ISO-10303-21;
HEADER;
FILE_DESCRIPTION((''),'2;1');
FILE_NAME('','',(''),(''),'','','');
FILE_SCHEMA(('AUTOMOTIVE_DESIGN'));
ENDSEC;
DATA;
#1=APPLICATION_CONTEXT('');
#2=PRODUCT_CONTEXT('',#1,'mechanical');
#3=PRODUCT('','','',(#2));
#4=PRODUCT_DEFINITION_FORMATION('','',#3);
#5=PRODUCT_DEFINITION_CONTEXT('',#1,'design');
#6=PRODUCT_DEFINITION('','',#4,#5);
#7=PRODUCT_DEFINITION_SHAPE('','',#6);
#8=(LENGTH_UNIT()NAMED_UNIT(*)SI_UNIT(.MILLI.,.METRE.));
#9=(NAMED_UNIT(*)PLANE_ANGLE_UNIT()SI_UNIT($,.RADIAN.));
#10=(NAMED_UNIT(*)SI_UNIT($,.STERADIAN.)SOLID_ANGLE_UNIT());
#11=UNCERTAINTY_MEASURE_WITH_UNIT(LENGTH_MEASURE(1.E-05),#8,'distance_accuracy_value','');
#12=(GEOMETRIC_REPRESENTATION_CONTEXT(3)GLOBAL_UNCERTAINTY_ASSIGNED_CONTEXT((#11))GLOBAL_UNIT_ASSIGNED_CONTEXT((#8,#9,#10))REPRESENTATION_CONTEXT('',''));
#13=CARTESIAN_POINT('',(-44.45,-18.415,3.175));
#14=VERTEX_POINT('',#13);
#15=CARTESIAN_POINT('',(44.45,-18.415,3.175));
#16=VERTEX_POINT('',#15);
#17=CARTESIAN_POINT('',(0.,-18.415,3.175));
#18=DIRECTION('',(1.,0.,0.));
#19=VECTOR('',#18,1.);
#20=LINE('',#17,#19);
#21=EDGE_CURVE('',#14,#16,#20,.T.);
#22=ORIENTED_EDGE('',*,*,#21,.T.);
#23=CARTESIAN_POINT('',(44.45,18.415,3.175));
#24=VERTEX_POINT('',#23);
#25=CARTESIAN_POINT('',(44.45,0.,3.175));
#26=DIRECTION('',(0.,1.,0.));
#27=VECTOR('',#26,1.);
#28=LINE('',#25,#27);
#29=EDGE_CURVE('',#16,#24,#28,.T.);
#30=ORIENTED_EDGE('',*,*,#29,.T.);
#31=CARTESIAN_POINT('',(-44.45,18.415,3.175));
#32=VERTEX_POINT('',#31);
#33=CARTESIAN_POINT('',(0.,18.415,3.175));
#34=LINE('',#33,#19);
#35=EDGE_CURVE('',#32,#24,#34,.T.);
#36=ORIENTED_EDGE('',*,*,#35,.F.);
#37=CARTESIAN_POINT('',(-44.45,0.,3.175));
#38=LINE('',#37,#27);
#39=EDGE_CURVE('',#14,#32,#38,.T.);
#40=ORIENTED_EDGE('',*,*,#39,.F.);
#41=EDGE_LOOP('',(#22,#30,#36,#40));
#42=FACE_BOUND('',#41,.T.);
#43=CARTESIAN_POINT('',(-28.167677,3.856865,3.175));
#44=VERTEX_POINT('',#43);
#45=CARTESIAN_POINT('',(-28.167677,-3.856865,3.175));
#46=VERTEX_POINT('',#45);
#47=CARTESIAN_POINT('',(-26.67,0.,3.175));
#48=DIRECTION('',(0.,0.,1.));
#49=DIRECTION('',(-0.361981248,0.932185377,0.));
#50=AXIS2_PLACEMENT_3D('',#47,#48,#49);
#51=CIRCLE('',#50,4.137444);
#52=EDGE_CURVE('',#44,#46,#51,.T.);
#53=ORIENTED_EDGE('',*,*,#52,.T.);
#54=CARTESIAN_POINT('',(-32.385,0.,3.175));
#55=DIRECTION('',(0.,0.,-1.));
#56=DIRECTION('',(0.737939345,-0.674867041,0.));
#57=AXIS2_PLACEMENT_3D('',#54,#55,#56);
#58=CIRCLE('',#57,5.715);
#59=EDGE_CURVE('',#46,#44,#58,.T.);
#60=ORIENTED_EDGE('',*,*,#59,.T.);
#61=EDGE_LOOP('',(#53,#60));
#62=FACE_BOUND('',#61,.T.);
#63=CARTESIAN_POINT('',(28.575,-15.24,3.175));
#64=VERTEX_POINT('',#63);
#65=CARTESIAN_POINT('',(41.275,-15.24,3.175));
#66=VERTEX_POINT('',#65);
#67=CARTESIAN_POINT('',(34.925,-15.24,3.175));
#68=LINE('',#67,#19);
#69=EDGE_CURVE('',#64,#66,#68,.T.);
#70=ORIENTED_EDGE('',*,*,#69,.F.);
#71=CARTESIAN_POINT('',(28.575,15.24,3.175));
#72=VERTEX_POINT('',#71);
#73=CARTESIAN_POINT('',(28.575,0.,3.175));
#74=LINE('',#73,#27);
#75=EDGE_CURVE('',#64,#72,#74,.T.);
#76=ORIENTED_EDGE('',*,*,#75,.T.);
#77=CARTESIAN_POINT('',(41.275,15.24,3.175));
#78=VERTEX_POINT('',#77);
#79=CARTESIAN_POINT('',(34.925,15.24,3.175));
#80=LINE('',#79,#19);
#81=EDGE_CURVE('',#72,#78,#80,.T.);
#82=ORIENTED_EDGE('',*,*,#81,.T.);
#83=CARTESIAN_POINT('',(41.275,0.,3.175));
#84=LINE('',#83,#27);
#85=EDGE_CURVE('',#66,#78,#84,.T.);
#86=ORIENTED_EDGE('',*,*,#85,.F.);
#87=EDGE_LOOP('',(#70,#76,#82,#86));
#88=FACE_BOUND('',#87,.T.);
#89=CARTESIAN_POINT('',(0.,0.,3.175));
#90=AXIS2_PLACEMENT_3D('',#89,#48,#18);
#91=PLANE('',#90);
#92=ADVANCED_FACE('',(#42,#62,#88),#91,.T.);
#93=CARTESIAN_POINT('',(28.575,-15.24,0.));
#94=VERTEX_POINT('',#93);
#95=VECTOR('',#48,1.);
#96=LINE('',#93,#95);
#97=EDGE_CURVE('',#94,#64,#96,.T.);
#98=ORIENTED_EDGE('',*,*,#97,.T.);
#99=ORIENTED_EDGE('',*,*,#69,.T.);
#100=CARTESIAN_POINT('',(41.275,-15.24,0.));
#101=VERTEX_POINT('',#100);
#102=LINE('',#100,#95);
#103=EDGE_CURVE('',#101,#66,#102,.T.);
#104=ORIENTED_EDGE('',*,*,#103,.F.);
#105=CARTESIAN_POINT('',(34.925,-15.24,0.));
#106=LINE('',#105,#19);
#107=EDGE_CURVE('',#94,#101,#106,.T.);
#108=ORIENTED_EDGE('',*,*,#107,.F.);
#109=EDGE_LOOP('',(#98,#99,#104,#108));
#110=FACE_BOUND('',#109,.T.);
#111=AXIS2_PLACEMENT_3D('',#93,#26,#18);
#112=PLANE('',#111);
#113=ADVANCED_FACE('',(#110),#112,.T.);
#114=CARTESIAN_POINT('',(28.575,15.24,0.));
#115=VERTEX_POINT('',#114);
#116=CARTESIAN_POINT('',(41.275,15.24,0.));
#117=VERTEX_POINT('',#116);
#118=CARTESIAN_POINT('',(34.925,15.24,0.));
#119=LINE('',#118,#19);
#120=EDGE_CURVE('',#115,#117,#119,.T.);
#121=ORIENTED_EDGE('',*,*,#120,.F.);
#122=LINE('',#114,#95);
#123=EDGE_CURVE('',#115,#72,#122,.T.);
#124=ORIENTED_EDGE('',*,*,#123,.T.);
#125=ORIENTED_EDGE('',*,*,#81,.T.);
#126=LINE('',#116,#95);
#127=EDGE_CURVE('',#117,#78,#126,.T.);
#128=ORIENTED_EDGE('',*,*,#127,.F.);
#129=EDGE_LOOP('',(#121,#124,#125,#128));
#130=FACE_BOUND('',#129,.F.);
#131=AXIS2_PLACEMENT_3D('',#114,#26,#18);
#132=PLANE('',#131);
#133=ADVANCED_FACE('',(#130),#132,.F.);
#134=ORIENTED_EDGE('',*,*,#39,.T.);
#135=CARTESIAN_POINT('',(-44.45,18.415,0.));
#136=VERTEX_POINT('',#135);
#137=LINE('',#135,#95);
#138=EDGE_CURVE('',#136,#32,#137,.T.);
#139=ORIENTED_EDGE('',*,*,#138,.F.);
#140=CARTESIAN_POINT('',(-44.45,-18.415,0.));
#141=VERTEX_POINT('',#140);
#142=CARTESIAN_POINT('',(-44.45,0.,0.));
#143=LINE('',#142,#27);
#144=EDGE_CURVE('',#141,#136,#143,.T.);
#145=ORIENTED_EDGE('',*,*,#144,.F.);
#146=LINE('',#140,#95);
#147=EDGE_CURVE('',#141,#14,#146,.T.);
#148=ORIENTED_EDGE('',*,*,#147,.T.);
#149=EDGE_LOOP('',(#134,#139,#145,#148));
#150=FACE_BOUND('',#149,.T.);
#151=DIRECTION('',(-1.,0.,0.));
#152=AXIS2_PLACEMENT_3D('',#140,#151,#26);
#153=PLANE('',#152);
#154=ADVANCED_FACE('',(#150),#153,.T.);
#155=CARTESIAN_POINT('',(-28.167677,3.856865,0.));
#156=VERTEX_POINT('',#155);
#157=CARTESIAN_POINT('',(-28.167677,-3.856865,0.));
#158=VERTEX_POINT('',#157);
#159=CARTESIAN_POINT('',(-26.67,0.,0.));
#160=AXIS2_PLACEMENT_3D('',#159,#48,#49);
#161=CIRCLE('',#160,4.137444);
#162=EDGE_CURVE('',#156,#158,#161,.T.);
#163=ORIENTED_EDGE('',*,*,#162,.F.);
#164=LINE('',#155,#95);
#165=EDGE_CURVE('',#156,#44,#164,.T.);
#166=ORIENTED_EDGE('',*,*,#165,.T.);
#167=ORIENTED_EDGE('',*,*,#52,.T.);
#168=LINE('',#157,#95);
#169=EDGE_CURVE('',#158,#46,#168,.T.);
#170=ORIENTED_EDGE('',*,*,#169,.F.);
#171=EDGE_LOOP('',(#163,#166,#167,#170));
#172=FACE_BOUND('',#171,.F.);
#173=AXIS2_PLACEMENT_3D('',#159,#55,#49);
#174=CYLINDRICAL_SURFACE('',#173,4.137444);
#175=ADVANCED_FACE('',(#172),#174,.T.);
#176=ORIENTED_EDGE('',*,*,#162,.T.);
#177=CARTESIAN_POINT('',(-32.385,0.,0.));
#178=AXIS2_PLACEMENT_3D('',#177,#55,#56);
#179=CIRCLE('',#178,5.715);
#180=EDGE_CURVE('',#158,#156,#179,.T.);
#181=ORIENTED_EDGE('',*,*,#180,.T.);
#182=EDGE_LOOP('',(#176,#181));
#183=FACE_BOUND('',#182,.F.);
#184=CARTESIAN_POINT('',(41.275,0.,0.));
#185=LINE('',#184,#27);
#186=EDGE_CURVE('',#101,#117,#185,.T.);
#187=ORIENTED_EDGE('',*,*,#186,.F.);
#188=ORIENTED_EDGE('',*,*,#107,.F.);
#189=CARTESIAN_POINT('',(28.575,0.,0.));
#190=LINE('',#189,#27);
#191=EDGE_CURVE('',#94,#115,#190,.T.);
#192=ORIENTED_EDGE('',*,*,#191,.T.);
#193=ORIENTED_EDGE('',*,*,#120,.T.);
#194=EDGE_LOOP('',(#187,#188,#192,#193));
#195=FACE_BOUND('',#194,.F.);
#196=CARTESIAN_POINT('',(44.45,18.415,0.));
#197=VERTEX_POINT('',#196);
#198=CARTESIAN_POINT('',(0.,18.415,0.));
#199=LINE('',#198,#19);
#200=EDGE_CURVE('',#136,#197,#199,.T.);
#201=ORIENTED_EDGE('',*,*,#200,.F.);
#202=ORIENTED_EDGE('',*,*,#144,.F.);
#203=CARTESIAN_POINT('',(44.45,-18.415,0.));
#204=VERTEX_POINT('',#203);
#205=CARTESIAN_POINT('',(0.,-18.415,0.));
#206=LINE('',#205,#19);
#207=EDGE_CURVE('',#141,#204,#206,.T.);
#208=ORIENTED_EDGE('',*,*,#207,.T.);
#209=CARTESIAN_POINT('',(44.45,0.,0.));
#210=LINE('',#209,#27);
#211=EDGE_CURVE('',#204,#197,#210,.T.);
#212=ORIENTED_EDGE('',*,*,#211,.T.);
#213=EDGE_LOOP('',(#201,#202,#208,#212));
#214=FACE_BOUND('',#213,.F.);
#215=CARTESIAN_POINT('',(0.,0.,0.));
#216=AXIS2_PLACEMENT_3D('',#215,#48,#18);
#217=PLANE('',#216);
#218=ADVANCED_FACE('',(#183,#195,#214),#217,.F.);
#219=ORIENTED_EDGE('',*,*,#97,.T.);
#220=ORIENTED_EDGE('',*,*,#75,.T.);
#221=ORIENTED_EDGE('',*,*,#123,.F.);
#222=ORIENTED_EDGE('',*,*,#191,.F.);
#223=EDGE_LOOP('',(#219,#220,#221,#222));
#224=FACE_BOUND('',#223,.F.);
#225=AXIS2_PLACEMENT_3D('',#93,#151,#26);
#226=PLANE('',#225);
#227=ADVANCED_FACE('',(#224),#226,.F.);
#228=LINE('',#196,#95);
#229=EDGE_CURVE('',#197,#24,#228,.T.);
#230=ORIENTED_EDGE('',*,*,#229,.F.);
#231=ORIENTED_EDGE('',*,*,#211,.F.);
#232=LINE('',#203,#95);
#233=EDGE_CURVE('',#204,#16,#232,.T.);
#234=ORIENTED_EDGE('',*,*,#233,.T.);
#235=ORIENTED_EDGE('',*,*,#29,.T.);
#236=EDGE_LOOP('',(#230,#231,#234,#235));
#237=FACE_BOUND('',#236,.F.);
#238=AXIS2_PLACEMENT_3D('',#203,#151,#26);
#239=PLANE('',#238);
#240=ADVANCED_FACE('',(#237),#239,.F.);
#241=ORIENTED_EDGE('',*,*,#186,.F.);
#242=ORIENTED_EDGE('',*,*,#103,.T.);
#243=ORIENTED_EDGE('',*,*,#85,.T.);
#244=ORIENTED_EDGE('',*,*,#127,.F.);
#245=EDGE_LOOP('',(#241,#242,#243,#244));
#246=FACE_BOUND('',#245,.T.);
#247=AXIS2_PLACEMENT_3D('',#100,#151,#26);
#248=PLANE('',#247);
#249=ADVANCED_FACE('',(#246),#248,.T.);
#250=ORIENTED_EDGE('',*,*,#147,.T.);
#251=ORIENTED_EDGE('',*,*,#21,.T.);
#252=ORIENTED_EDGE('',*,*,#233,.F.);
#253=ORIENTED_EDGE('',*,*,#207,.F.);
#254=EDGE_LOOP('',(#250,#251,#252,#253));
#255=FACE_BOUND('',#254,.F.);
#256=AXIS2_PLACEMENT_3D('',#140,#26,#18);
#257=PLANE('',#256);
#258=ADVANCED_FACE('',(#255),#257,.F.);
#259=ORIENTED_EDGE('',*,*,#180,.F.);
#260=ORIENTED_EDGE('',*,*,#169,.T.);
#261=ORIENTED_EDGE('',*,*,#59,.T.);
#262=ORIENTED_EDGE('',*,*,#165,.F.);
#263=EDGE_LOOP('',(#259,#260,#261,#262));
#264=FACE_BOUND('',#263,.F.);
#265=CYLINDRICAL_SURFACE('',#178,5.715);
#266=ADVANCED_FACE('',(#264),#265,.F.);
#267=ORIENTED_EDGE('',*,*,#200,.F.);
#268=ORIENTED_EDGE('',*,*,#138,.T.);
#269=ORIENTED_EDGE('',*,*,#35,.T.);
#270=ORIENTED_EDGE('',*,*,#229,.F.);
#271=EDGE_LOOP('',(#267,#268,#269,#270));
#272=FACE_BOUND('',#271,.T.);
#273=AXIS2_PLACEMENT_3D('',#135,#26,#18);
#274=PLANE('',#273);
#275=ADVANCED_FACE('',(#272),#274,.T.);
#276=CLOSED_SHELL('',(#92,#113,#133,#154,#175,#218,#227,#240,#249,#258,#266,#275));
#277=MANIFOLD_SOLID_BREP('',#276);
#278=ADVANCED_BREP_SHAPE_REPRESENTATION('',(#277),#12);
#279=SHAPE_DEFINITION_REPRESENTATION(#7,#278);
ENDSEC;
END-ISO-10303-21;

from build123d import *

# Parameters (mm, degrees)
F0_W     = 88.9
F0_H     = 36.83
F0_W_2   = 12.7
F0_H_2   = 30.48
F1_DEPTH = 3.175


with BuildPart() as f1:
    # F0 (on Top) → F1 (new body)
    with BuildSketch(Plane.XY):
        Rectangle(F0_W, F0_H)
        with BuildLine():
            ThreePointArc((-28.167677, -3.856865), (-38.1, 0), (-28.167677, 3.856865))
            ThreePointArc((-28.167677, 3.856865), (-30.807444, 0), (-28.167677, -3.856865))
        make_face(mode=Mode.SUBTRACT)
        with Locations((34.925, 0)):
            Rectangle(F0_W_2, F0_H_2, mode=Mode.SUBTRACT)
    extrude(amount=F1_DEPTH)


solid = f1.part
